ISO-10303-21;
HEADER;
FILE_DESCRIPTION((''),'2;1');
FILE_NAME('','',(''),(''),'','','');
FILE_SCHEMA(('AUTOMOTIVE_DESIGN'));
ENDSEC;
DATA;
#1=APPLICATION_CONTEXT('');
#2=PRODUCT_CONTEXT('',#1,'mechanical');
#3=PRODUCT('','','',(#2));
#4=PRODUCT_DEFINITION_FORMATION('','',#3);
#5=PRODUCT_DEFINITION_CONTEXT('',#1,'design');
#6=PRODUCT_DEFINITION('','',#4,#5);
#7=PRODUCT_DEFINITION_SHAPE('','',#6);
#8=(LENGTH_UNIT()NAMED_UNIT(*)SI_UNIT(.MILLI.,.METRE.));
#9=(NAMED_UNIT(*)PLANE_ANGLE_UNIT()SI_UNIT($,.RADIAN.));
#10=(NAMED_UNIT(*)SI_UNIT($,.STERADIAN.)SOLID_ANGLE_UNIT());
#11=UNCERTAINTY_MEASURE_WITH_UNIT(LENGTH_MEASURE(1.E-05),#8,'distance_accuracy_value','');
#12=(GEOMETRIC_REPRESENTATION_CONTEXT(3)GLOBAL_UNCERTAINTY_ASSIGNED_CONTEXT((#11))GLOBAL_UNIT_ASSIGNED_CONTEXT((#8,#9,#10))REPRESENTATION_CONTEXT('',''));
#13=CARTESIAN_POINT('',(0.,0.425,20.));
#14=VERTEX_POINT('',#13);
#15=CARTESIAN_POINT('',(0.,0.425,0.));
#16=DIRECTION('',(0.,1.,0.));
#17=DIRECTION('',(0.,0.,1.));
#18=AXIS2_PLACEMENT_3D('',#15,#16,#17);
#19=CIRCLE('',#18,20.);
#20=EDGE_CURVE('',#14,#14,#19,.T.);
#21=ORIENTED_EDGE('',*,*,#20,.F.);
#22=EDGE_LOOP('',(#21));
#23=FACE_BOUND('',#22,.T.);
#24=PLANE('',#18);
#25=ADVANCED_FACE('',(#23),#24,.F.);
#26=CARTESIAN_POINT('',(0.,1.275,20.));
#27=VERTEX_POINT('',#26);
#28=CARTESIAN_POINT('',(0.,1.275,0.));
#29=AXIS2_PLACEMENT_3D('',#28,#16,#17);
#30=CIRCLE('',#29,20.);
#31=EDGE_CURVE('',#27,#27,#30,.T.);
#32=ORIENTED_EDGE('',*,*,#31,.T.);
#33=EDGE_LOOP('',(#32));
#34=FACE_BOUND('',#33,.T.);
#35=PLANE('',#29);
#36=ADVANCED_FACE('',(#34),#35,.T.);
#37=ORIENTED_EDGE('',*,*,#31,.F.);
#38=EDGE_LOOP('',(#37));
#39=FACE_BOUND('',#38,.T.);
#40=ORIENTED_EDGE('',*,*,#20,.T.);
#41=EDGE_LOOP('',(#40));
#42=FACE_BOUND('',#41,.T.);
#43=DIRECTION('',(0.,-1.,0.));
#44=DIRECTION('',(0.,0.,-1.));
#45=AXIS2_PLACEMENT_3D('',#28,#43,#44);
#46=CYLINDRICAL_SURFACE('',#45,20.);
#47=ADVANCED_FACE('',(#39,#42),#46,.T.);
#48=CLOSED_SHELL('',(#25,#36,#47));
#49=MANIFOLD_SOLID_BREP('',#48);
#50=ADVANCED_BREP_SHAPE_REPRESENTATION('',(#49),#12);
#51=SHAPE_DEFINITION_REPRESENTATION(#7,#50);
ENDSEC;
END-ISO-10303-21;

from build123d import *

# Parameters (mm, degrees)
SKETCH1_R           = 40
BOSS_EXTRUDE1_DEPTH = 1.7
SCALE2_SCALE        = 0.5


with BuildPart() as part:
    # Sketch1 → Boss-Extrude1 (new body)
    with BuildSketch(Plane(origin=(0, 0, 0), x_dir=(1, 0, 0), z_dir=(0, 1, 0))):
        Circle(SKETCH1_R)
    extrude(amount=BOSS_EXTRUDE1_DEPTH)


with BuildPart() as part_1:
    # Scale2: scaled about (0, 0.85, 0)
    add(part.part.scale(SCALE2_SCALE).moved(Location((0, 0.425, 0))))


solid = part_1.part
